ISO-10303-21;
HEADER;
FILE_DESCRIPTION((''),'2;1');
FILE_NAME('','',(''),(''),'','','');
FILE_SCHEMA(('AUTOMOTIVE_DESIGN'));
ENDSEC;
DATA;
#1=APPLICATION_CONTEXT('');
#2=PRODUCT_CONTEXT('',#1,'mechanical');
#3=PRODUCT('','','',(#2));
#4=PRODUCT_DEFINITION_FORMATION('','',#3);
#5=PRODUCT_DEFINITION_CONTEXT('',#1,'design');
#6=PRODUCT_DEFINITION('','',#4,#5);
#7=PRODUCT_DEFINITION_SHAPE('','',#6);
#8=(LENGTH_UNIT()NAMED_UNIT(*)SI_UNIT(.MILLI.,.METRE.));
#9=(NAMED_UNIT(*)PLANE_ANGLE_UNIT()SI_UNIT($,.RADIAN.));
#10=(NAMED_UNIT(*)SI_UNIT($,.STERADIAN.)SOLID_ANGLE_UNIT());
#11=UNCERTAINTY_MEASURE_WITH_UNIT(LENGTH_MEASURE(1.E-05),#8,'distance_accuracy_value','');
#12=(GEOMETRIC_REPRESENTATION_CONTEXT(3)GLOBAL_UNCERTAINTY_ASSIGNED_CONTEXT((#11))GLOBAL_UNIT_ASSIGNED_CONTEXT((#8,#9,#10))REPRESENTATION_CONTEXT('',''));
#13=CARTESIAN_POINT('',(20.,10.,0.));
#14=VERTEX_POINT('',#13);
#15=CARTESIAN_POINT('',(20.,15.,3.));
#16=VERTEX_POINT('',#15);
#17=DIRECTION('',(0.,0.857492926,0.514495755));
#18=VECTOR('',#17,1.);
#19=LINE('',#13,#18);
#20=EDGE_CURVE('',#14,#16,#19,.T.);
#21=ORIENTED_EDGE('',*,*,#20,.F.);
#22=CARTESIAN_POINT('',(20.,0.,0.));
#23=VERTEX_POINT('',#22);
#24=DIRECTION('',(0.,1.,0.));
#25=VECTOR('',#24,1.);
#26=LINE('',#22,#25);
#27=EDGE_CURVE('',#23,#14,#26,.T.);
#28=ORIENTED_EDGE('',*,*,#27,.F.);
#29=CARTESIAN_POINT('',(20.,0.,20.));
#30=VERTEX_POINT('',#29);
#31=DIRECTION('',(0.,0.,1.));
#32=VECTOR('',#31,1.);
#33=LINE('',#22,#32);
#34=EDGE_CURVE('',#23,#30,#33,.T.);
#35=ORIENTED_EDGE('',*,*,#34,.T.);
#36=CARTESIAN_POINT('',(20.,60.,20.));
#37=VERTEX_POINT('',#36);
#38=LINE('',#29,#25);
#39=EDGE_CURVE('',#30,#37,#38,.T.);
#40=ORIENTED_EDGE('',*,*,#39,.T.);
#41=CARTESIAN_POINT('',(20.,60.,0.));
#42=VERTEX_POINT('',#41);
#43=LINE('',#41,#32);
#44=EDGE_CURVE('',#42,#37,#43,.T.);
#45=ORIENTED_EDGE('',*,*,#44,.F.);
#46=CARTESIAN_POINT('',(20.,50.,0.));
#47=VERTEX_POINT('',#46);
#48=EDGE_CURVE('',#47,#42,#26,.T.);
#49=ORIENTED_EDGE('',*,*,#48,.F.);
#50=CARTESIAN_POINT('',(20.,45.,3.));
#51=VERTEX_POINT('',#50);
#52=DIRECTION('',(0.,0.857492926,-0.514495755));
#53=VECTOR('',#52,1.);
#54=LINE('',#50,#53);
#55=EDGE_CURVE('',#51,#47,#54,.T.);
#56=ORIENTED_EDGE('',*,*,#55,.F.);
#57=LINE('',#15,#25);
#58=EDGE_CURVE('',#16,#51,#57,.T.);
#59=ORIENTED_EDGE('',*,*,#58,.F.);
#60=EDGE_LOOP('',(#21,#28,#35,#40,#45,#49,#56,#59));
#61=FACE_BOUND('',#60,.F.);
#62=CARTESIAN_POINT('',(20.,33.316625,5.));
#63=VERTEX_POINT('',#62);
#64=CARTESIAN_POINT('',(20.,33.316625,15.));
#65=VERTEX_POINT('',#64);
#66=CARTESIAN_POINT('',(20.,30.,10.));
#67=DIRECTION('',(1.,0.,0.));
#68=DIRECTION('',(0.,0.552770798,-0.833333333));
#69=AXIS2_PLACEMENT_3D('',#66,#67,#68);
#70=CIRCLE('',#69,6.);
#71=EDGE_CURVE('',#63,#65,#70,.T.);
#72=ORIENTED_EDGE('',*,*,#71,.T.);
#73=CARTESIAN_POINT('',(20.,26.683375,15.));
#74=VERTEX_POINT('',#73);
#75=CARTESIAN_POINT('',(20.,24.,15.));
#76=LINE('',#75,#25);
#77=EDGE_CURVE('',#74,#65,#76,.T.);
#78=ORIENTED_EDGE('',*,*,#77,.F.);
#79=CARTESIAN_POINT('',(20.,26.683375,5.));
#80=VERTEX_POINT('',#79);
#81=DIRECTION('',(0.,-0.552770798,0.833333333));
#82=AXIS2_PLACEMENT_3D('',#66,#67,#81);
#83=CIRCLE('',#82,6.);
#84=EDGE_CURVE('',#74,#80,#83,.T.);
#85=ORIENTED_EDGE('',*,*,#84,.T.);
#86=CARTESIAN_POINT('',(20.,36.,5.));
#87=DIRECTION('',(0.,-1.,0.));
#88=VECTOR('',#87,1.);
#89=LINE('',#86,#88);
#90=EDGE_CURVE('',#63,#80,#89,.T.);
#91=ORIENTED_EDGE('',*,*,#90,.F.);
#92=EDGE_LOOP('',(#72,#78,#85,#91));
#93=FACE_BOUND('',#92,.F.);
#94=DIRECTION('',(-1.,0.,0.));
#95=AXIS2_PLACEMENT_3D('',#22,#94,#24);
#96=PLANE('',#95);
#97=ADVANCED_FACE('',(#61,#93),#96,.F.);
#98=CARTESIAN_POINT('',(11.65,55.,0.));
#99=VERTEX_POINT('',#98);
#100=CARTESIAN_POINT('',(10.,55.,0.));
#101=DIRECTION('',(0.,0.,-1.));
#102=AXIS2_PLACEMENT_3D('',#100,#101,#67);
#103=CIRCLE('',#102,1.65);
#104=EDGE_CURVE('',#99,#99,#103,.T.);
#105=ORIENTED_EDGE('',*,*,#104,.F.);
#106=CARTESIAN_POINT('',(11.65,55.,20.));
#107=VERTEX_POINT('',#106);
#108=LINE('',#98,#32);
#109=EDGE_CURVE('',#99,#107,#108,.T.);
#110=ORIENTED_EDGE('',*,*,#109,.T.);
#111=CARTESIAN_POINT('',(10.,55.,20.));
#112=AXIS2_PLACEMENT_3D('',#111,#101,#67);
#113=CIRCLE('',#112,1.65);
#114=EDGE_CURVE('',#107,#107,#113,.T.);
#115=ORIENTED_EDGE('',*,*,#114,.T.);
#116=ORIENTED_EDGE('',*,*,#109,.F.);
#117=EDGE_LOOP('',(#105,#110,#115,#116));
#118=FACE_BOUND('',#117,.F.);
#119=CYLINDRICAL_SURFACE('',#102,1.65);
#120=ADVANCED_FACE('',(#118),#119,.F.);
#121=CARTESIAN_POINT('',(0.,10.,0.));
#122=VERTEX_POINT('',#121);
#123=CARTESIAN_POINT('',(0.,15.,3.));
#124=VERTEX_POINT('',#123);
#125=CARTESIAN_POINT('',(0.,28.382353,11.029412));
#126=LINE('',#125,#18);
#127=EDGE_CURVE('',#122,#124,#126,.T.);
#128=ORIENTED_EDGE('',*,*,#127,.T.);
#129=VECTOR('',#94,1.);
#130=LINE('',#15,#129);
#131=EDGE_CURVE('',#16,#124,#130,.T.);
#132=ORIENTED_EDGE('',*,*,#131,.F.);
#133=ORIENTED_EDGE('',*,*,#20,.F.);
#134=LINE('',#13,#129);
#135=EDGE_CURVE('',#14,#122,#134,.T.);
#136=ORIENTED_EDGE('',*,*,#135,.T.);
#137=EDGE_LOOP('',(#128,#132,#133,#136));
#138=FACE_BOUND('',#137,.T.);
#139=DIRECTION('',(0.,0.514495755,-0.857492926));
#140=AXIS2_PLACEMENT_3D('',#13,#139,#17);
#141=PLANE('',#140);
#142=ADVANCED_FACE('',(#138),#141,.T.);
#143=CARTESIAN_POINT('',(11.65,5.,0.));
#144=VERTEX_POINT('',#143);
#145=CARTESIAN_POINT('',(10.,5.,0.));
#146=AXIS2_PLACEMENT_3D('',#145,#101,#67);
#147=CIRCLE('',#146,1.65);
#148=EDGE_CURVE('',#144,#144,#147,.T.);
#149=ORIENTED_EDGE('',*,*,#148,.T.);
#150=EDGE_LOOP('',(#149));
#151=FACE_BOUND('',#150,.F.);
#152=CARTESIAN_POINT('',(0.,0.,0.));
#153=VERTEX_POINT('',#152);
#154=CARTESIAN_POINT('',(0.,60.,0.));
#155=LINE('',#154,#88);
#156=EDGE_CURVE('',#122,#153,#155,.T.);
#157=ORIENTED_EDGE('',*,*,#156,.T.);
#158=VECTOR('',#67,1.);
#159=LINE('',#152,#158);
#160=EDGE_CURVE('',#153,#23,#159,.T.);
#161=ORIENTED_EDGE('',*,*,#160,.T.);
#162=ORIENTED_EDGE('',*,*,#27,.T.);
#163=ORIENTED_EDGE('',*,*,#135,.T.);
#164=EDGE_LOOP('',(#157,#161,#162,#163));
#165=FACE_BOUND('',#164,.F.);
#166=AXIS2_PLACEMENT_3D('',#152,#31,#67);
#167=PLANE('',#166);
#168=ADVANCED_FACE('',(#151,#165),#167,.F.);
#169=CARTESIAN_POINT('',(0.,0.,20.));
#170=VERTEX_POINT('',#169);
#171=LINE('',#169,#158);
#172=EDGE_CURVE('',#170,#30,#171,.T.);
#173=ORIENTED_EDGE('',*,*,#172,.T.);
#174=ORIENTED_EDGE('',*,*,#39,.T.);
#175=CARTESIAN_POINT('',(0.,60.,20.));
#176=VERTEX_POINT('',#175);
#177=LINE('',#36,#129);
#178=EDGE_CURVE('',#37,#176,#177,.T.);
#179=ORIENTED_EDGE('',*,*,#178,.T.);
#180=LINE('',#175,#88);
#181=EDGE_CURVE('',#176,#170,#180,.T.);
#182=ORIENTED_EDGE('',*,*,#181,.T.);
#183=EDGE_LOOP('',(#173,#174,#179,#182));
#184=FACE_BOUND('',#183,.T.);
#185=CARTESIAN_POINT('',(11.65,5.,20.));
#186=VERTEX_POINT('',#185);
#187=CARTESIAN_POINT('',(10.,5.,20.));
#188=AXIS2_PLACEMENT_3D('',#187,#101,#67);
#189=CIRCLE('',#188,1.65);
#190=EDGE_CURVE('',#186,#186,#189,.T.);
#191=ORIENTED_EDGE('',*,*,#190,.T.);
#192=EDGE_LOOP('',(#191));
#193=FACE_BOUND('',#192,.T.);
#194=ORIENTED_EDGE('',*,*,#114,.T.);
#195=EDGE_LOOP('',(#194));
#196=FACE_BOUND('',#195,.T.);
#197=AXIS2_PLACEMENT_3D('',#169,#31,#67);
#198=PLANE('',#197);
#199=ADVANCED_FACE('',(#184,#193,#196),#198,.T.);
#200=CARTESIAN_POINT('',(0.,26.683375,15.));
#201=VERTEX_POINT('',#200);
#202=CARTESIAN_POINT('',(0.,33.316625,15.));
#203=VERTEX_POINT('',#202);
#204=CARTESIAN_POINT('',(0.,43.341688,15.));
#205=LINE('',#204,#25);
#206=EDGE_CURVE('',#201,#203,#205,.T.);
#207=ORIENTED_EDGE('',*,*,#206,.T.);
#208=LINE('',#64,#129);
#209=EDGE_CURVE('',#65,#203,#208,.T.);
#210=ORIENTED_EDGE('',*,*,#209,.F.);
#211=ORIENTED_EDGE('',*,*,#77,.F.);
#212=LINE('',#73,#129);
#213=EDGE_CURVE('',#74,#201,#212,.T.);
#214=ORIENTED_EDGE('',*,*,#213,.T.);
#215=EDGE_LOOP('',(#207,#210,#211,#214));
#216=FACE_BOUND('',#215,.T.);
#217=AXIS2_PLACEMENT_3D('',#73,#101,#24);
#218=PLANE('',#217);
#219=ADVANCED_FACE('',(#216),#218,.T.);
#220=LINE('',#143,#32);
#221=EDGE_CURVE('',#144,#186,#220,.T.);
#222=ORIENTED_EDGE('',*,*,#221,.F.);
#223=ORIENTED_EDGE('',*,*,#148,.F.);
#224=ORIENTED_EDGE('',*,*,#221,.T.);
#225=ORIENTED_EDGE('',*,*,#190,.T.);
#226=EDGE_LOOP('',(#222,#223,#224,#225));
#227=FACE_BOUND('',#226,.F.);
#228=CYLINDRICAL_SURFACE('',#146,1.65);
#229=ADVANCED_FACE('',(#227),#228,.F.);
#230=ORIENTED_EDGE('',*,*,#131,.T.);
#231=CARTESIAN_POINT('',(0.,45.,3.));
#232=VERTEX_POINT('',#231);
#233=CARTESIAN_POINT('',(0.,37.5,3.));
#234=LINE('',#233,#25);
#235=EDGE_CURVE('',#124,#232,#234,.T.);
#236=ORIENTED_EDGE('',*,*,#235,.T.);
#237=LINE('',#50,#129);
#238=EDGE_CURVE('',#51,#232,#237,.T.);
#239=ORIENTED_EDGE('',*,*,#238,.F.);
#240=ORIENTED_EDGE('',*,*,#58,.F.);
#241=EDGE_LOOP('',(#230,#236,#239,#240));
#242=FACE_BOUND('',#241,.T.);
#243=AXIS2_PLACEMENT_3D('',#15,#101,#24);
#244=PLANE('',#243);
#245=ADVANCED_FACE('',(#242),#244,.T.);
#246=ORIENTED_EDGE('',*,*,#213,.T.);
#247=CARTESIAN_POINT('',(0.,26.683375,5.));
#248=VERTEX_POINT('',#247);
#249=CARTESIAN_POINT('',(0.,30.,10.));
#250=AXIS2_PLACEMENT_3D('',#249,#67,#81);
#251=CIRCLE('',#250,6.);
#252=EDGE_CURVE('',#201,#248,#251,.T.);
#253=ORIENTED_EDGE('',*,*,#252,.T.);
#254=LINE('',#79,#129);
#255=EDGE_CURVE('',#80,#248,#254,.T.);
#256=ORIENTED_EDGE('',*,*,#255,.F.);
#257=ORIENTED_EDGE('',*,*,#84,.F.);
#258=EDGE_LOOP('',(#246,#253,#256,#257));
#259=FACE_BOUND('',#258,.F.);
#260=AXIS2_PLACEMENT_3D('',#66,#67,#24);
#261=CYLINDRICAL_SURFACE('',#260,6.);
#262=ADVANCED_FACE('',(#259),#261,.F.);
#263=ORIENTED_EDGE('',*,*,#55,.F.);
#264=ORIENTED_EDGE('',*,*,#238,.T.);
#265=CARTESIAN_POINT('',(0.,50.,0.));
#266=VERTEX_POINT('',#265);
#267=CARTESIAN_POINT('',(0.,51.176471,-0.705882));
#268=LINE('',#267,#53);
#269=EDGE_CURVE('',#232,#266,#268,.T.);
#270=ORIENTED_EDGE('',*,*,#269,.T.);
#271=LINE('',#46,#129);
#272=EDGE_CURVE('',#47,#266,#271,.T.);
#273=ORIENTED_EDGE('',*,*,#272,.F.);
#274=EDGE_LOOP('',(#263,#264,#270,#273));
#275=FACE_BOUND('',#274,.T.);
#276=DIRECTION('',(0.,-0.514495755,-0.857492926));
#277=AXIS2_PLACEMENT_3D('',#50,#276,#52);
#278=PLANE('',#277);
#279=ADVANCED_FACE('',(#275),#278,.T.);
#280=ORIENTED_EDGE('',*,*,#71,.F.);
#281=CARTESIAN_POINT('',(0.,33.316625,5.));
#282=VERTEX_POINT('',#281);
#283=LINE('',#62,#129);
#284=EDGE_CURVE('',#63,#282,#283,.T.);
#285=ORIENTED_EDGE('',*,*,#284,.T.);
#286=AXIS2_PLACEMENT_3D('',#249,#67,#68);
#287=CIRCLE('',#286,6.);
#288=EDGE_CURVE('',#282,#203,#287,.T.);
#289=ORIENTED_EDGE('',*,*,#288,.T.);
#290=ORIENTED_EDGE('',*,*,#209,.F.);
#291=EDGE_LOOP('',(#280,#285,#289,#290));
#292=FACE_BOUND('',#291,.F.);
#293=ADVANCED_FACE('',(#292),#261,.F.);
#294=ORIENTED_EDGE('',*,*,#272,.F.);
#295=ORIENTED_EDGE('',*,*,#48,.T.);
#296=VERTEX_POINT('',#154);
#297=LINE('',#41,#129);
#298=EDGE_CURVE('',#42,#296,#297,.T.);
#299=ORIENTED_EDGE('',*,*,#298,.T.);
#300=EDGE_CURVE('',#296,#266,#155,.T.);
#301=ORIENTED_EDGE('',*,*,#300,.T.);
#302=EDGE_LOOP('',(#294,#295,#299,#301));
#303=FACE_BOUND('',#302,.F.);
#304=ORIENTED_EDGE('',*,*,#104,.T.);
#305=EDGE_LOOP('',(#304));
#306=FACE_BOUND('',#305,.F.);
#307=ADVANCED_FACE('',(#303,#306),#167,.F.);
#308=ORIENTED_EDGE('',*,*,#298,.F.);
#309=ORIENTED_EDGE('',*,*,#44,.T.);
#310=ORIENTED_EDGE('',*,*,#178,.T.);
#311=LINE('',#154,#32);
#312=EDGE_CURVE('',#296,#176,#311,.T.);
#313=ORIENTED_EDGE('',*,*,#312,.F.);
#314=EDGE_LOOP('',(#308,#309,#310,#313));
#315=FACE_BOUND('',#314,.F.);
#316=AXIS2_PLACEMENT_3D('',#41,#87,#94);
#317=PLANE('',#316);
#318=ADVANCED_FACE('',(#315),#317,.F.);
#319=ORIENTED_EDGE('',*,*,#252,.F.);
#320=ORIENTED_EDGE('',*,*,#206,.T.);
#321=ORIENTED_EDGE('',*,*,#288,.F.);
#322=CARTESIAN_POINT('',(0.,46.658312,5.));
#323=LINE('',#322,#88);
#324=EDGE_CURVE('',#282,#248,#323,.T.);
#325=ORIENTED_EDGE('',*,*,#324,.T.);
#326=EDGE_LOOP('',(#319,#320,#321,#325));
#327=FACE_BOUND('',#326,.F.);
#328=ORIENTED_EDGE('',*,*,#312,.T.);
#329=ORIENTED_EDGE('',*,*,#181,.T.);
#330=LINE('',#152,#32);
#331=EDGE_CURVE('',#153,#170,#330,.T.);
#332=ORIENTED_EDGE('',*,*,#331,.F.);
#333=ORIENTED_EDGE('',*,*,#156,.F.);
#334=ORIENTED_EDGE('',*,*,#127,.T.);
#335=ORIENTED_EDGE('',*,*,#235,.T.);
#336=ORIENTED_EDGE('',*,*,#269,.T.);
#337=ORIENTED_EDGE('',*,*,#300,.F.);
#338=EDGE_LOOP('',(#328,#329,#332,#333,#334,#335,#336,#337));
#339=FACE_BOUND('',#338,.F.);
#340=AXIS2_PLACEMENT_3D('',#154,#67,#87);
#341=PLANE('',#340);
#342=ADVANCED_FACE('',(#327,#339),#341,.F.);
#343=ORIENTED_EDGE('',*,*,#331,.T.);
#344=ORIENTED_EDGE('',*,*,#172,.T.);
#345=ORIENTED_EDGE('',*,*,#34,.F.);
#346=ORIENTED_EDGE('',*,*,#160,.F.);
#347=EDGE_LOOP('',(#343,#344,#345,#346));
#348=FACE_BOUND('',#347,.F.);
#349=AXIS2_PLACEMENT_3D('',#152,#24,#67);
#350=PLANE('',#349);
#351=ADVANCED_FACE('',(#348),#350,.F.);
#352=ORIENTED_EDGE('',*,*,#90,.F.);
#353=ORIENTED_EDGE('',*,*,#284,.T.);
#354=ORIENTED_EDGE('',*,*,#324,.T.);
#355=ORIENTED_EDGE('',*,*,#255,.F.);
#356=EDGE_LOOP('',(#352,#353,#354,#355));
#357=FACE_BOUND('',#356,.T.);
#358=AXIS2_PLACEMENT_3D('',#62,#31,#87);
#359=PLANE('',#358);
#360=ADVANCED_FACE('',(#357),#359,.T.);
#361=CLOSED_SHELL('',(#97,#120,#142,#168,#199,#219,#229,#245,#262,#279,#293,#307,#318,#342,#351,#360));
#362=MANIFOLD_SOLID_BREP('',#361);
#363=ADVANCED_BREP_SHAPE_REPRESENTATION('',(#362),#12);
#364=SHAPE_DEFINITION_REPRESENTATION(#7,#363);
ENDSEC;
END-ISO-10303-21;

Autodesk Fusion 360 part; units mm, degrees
sketch "Sketch1" plane through (0, 0, 0) normal (0, 0, 1) x (1, 0, 0)
  line L0 (0, 0) -> (20, 0)
  line L1 (20, 0) -> (20, 60)
  line L2 (20, 60) -> (0, 60)
  line L3 (0, 60) -> (0, 0)
extrude "Extrude1" add sketch "Sketch1" along normal blind 30
extrude "Extrude2" cut 1 faces at (6.6667, 40, 30) along direction (0, 0, -1) blind 10
sketch "Sketch2" plane through (20, 0, 0) normal (1, 0, 0) x (0, 1, 0)
  line L0 (60, 20) -> (0, 20)
  line L1 (0, 20) -> (0, 0)
  line L2 (0, 0) -> (60, 0)
  line L3 (60, 0) -> (60, 20)
  line L4 (36, 5) -> (24, 5)
  line L5 (24, 5) -> (24, 15)
  line L6 (24, 15) -> (36, 15)
  line L7 (36, 15) -> (36, 5)
  line L8 (36, 5) -> (24, 15) construction
  line L9 (24, 5) -> (36, 15) construction
  circle A0 centre (30, 10) radius 6
  point P0 (30, 10)
extrude "Extrude3" cut sketch "Sketch2" against normal blind 29 contours L4 L6 A0
sketch "Sketch3" plane through (0, 0, 0) normal (0, 0, -1) x (1, 0, 0)
  line L0 (0, 0) -> (0, -60)
  line L1 (0, -60) -> (20, -60)
  line L2 (20, -60) -> (20, 0)
  line L3 (20, 0) -> (0, 0)
  circle A0 centre (10, -5) radius 1.65
  circle A1 centre (10, -55) radius 1.65
  dimension "d7" = 3.3
  dimension "d8" = 3.3
extrude "Extrude4" cut sketch "Sketch3" against normal blind 45 contours A0 | A1
sketch "Sketch4" plane through (20, 0, 0) normal (1, 0, 0) x (0, 1, 0)
  line L0 (33.3166, 5) -> (26.6834, 5)
  arc A0 (26.6834, 15) -> (26.6834, 5) centre (30, 10) ccw
  line L1 (26.6834, 15) -> (33.3166, 15)
  arc A1 (33.3166, 5) -> (33.3166, 15) centre (30, 10) ccw
  line L2 (60, 20) -> (0, 20)
  line L3 (0, 20) -> (0, 0)
  line L4 (0, 0) -> (60, 0)
  line L5 (60, 0) -> (60, 20)
  line L6 (10, 0) -> (15, 3)
  line L7 (15, 3) -> (45, 3)
  line L8 (45, 3) -> (50, 0)
extrude "Extrude5" cut sketch "Sketch4" against normal blind 43 contours L4 L6 L7 L8
